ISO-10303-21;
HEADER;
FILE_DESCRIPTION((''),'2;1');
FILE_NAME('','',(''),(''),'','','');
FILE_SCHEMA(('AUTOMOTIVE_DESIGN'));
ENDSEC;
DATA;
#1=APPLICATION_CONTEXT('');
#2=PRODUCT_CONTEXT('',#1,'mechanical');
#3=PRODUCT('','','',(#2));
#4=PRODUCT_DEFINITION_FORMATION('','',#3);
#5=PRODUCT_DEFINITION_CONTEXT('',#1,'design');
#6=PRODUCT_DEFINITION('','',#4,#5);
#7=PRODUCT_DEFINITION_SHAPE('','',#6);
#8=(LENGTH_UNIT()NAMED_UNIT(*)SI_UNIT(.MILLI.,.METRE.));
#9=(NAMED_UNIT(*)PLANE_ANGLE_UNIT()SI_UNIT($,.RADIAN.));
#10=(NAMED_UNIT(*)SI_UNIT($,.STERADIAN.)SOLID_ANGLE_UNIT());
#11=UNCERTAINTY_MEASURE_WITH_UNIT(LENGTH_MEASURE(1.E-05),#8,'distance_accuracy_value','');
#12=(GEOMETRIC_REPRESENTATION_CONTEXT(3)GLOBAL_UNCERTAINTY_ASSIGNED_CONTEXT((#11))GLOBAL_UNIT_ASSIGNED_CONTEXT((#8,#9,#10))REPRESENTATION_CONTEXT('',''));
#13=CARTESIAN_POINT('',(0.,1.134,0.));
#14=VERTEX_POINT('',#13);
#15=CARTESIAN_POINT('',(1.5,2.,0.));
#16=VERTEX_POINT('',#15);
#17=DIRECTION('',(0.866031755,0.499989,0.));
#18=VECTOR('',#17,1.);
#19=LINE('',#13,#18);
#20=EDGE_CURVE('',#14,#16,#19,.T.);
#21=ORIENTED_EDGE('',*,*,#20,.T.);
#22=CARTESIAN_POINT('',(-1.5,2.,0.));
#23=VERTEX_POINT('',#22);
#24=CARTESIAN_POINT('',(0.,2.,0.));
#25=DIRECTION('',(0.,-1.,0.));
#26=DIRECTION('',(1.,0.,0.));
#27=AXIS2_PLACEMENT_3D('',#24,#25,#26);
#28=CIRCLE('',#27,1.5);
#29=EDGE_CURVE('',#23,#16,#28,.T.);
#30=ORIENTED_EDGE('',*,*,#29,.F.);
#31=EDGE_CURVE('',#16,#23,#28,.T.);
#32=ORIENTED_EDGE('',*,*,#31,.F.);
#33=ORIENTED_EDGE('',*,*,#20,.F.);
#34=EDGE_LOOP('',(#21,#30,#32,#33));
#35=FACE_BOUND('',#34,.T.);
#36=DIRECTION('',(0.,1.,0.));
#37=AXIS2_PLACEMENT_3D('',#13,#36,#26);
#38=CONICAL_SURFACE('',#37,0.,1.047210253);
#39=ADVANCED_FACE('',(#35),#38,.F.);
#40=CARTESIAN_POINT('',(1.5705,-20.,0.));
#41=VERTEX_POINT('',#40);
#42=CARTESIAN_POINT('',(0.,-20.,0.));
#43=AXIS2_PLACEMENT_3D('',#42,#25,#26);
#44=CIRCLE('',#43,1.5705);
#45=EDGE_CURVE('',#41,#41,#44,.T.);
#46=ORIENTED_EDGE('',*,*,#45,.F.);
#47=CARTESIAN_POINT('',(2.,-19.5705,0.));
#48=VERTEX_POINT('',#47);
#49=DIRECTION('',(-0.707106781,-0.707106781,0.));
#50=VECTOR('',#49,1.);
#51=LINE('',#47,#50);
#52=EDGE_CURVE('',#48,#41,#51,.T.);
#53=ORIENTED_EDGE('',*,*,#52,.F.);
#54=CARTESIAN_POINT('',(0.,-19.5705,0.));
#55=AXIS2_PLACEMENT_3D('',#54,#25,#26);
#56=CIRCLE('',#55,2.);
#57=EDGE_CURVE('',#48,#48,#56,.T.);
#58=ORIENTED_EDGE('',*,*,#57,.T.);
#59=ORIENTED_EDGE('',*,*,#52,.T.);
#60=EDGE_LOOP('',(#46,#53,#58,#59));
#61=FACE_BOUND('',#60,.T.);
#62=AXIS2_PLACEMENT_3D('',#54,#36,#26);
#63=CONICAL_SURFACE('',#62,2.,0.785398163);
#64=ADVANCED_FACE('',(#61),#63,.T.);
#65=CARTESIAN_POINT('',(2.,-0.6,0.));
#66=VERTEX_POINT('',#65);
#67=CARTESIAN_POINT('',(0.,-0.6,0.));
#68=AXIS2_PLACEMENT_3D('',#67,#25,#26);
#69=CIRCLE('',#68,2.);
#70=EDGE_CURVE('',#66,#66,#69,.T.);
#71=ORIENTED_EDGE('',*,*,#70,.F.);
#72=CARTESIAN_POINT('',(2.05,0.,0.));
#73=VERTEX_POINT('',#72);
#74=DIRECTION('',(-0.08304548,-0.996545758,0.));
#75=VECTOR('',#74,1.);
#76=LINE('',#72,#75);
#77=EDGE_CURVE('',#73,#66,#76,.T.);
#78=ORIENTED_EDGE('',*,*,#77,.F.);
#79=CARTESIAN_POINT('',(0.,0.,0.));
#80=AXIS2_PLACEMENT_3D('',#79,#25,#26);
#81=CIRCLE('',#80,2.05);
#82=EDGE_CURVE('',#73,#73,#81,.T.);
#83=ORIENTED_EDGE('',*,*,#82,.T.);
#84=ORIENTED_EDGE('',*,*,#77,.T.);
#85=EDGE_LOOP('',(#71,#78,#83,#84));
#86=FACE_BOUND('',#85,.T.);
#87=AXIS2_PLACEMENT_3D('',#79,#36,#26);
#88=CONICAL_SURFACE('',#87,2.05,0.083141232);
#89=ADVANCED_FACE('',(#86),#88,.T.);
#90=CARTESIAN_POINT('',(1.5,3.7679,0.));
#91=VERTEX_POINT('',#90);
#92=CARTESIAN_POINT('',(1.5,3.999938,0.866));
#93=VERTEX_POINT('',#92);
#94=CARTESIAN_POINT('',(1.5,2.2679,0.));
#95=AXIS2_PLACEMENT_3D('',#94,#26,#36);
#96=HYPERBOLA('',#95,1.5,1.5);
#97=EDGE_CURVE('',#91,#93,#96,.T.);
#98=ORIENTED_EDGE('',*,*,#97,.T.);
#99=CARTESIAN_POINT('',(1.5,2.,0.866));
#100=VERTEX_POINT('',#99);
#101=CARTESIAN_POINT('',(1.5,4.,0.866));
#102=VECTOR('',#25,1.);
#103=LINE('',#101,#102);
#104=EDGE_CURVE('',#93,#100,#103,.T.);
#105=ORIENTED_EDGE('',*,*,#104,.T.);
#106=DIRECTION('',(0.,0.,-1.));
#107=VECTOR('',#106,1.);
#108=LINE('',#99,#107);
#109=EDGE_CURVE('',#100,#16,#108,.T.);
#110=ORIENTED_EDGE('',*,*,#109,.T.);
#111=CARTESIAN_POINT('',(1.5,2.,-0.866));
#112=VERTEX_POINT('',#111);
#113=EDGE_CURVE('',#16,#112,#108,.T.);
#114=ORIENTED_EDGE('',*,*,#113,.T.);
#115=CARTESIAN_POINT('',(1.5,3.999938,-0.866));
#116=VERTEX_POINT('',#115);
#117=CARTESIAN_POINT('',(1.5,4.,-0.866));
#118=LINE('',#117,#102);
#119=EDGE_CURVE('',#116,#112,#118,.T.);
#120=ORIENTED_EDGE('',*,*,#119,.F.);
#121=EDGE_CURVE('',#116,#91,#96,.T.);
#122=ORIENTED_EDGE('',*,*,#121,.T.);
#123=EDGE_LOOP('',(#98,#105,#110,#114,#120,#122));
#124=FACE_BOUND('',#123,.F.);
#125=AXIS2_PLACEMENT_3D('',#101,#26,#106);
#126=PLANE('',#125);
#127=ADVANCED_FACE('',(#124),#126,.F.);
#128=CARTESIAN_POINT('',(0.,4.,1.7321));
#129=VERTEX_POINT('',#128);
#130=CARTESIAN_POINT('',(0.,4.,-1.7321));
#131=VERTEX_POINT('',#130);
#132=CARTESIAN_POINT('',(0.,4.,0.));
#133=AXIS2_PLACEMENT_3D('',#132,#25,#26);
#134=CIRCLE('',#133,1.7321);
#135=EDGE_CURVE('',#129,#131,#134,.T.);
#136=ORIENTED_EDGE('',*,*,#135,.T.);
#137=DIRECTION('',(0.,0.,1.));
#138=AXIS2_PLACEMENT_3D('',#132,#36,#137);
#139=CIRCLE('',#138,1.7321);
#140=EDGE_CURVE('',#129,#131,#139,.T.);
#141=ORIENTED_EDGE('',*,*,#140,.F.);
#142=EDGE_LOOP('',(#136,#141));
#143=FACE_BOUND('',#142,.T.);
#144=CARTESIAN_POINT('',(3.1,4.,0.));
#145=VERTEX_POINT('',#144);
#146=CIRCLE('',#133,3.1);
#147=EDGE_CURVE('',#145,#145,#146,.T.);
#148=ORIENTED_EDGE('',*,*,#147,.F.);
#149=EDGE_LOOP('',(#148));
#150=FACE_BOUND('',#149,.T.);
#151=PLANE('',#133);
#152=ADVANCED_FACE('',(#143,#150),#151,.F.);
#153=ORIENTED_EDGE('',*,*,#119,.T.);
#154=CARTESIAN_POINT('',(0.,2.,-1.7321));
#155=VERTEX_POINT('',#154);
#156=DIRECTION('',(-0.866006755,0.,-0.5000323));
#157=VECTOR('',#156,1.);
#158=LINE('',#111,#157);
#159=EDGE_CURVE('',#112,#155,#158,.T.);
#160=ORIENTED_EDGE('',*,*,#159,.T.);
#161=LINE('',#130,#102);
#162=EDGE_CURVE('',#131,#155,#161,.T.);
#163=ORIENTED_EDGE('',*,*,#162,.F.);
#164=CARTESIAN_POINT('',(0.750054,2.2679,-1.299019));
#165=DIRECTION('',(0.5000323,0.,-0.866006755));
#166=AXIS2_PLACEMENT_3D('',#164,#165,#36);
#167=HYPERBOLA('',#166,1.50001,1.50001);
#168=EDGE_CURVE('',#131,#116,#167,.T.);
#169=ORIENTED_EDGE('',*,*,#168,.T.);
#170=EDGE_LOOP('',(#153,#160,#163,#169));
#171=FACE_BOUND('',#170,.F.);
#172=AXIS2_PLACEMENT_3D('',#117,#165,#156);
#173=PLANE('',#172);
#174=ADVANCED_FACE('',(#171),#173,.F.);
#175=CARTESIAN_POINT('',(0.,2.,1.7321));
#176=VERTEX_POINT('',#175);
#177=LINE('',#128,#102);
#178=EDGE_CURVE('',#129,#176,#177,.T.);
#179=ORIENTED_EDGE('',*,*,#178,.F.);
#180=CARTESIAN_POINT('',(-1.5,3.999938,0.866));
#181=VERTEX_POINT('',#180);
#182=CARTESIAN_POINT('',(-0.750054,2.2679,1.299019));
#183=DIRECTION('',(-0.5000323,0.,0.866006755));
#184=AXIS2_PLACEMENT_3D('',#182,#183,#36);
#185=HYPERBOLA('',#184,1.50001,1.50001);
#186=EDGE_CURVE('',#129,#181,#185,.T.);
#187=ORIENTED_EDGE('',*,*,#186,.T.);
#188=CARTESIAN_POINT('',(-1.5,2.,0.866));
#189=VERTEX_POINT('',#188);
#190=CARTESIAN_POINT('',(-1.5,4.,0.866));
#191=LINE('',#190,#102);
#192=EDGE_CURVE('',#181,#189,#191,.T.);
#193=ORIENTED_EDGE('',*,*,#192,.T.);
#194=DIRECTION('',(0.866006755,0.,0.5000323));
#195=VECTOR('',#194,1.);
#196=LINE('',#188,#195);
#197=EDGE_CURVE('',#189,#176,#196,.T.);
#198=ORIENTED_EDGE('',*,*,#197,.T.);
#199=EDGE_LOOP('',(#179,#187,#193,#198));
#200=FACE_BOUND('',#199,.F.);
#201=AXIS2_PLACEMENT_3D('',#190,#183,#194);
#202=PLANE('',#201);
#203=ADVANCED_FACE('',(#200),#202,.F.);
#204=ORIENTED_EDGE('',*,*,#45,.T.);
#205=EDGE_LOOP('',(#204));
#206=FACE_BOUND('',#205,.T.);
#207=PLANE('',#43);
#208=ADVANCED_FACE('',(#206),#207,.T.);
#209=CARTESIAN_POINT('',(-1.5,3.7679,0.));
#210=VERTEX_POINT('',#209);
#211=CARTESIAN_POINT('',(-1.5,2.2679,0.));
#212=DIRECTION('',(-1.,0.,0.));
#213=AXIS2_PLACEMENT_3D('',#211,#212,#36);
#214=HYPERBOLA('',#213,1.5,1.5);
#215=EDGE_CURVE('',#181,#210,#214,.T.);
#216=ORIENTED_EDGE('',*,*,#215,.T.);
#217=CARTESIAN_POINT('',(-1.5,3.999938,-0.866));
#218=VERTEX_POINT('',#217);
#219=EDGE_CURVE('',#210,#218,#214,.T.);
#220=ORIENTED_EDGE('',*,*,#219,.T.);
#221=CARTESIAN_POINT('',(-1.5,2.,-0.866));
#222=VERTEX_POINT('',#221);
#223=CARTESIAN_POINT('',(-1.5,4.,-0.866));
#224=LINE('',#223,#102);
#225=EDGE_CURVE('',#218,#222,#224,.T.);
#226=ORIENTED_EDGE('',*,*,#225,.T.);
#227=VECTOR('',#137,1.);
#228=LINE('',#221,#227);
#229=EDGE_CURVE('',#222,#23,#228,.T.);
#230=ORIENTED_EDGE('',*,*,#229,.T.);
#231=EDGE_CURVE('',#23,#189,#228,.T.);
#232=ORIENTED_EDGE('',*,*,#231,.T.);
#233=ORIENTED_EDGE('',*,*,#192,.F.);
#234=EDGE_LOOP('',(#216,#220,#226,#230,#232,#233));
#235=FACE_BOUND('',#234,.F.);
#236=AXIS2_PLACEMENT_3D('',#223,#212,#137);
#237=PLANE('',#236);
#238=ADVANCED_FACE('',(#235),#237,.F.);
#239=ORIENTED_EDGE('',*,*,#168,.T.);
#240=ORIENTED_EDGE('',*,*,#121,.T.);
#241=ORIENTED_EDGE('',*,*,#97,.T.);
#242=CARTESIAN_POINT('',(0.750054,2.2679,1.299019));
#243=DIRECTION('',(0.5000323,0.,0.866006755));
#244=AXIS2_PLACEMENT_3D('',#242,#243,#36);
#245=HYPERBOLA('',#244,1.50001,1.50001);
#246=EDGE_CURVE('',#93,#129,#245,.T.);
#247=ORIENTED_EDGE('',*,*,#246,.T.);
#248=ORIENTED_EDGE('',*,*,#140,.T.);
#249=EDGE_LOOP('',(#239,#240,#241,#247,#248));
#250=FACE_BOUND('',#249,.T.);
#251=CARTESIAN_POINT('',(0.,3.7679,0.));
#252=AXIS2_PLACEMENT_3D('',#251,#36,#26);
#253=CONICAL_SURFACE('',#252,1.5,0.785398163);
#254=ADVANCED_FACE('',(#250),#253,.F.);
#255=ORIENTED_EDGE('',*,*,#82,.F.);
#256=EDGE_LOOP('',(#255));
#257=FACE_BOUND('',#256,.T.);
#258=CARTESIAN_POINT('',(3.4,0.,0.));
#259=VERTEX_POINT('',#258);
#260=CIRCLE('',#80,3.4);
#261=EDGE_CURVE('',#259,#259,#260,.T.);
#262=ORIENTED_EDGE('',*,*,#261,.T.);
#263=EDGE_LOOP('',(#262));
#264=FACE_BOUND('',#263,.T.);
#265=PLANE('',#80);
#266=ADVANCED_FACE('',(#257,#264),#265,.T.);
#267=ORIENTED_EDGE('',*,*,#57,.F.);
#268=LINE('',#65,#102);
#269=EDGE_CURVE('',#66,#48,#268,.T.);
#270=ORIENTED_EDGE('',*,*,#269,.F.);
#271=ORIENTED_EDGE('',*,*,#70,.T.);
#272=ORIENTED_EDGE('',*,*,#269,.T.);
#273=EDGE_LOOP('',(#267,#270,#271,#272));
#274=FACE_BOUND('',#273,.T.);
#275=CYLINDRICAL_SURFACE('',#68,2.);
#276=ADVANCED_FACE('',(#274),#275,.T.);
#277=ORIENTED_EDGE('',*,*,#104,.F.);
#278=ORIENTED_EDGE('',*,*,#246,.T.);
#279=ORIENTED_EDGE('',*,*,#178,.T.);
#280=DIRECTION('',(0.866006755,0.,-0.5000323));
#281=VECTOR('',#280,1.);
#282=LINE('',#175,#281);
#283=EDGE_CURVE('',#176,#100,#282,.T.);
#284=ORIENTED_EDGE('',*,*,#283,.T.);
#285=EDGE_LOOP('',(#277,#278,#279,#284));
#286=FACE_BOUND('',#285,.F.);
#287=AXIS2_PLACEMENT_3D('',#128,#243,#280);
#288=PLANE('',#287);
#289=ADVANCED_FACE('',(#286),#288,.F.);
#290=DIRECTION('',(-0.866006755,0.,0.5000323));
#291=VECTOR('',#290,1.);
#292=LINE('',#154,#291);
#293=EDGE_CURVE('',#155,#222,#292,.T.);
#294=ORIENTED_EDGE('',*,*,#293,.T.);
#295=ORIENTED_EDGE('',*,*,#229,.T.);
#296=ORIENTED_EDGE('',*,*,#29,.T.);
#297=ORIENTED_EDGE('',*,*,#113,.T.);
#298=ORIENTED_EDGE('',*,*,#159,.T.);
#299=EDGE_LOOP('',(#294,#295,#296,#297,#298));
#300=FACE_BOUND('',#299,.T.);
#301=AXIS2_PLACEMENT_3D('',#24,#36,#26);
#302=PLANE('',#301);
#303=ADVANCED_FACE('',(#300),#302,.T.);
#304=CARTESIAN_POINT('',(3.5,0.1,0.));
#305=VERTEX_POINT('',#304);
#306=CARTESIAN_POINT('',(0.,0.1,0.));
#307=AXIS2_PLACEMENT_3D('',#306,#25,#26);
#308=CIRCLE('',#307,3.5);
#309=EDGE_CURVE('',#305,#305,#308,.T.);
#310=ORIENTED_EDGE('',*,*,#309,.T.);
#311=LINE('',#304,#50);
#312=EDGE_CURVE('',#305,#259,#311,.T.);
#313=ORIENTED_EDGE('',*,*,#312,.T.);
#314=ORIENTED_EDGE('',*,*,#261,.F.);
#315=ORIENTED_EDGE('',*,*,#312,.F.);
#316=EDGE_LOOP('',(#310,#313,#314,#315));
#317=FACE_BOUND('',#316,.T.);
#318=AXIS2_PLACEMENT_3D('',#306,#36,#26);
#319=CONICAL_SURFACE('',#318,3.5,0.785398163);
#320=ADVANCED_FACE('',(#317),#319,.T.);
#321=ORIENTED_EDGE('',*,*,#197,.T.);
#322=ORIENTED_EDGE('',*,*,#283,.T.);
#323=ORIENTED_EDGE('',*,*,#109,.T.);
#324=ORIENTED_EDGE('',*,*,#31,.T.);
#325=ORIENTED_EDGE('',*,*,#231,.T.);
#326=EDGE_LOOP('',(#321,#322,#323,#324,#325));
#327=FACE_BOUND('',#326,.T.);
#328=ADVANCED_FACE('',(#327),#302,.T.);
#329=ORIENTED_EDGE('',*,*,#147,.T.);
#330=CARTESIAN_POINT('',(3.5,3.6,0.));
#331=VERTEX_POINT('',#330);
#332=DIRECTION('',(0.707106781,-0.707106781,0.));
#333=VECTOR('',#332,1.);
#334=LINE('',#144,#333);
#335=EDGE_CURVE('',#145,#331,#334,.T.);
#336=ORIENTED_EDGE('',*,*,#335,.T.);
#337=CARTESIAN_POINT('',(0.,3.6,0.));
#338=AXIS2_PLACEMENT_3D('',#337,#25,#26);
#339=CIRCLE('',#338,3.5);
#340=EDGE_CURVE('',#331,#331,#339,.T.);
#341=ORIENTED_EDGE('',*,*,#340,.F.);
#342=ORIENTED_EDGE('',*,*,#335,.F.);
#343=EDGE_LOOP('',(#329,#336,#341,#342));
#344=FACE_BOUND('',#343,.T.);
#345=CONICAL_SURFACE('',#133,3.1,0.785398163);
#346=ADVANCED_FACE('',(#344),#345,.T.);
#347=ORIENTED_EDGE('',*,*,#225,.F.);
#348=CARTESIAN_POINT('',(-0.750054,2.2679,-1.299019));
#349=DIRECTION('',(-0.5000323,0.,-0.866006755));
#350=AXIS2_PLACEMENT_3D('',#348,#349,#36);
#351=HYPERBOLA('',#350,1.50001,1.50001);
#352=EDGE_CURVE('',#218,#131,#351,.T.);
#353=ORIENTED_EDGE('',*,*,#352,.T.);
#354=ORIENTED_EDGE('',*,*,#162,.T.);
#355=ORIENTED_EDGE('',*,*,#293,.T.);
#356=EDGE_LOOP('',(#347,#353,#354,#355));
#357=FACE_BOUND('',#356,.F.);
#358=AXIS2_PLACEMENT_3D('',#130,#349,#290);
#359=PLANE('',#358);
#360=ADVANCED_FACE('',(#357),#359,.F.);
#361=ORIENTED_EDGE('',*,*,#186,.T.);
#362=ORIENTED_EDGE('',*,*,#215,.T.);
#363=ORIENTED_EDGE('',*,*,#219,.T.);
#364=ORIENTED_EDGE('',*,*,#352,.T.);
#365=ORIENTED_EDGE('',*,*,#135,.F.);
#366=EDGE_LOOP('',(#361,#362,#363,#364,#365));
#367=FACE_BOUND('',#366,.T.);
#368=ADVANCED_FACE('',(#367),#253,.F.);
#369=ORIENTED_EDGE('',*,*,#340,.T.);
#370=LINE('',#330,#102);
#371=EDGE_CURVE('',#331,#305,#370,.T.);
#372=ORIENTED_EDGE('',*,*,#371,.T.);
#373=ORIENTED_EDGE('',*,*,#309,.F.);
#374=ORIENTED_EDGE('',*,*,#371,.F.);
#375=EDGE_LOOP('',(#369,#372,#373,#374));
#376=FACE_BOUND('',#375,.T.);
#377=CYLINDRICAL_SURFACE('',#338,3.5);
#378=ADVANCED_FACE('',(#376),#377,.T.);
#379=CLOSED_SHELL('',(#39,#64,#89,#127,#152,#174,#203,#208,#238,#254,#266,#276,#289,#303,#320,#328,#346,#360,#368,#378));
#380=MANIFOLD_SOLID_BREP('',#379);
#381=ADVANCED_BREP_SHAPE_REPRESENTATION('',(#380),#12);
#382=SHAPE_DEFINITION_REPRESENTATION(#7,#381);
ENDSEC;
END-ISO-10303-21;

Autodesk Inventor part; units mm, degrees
sketch "Sketch_1" plane through (0, 0, 0) normal (0, 0, 1) x (1, 0, 0)
  line L0 (0, -20) -> (0, 4)
  line L1 (0, 1.134) -> (1.5, 2)
  line L2 (1.5, 2) -> (1.5, 3.7679)
  line L3 (1.5, 3.7679) -> (1.7321, 4)
  line L4 (1.7321, 4) -> (3.1, 4)
  line L5 (3.1, 4) -> (3.5, 3.6)
  line L6 (3.5, 3.6) -> (3.5, 0.1)
  line L7 (3.5, 0.1) -> (3.4, 0)
  line L8 (3.4, 0) -> (2.05, 0)
  line L9 (2.05, 0) -> (2, -0.6)
  line L10 (2, -0.6) -> (2, -19.5705)
  line L11 (2, -19.5705) -> (1.5705, -20)
  line L12 (1.5705, -20) -> (0, -20)
  line L13 (0, -20) -> (0, 1.134)
revolve "Revolution1" add sketch "Sketch_1" angle 360 about axis through (0, -20, 0) along (0, -1, 0)
thread "Thread1" size "M4x0.7" class "6g" standard "ISO Metric profile" length 17.4705
sketch "Sketch_2" plane through (0, 4, 0) normal (0, 1, 0) x (1, 0, 0)
  line L0 (-1.5, -0.866) -> (0, -1.7321)
  line L1 (0, -1.7321) -> (1.5, -0.866)
  line L2 (1.5, -0.866) -> (1.5, 0.866)
  line L3 (1.5, 0.866) -> (0, 1.7321)
  line L4 (0, 1.7321) -> (-1.5, 0.866)
  line L5 (-1.5, 0.866) -> (-1.5, -0.866)
extrude "Extrusion1" cut sketch "Sketch_2" against normal blind 2
ref_plane "ANBAU_XY" through (0, 0, 0) normal (0, 1, 0) x (1, 0, 0)
ref_plane "ANBAU_YZ" through (0, 0, 0) normal (1, 0, 0) x (0, 0, -1)
ref_plane "ANBAU_ZX" through (0, 0, 0) normal (0, 0, -1) x (0, 1, 0)
ref_plane "Schraube_XY" through (0, 0, 0) normal (0, 1, 0) x (1, 0, 0)
ref_plane "Schraube_YZ" through (0, 0, 0) normal (1, 0, 0) x (0, 0, -1)
ref_plane "Schraube_ZX" through (0, 0, 0) normal (0, 0, -1) x (0, 1, 0)
ref_plane "insert_XY" through (0, 0, 0) normal (0, 1, 0) x (1, 0, 0)
ref_plane "insert_YZ" through (0, 0, 0) normal (1, 0, 0) x (0, 0, -1)
ref_plane "insert_ZX" through (0, 0, 0) normal (0, 0, -1) x (0, 1, 0)
ref_plane "schrauben_punkt_XY" through (0, -20, 0) normal (0, 1, 0) x (1, 0, 0)
ref_plane "schrauben_punkt_YZ" through (0, -20, 0) normal (1, 0, 0) x (0, 0, -1)
ref_plane "schrauben_punkt_ZX" through (0, -20, 0) normal (0, 0, -1) x (0, 1, 0)
properties part number "DIN-912 - M4x20(F)"
